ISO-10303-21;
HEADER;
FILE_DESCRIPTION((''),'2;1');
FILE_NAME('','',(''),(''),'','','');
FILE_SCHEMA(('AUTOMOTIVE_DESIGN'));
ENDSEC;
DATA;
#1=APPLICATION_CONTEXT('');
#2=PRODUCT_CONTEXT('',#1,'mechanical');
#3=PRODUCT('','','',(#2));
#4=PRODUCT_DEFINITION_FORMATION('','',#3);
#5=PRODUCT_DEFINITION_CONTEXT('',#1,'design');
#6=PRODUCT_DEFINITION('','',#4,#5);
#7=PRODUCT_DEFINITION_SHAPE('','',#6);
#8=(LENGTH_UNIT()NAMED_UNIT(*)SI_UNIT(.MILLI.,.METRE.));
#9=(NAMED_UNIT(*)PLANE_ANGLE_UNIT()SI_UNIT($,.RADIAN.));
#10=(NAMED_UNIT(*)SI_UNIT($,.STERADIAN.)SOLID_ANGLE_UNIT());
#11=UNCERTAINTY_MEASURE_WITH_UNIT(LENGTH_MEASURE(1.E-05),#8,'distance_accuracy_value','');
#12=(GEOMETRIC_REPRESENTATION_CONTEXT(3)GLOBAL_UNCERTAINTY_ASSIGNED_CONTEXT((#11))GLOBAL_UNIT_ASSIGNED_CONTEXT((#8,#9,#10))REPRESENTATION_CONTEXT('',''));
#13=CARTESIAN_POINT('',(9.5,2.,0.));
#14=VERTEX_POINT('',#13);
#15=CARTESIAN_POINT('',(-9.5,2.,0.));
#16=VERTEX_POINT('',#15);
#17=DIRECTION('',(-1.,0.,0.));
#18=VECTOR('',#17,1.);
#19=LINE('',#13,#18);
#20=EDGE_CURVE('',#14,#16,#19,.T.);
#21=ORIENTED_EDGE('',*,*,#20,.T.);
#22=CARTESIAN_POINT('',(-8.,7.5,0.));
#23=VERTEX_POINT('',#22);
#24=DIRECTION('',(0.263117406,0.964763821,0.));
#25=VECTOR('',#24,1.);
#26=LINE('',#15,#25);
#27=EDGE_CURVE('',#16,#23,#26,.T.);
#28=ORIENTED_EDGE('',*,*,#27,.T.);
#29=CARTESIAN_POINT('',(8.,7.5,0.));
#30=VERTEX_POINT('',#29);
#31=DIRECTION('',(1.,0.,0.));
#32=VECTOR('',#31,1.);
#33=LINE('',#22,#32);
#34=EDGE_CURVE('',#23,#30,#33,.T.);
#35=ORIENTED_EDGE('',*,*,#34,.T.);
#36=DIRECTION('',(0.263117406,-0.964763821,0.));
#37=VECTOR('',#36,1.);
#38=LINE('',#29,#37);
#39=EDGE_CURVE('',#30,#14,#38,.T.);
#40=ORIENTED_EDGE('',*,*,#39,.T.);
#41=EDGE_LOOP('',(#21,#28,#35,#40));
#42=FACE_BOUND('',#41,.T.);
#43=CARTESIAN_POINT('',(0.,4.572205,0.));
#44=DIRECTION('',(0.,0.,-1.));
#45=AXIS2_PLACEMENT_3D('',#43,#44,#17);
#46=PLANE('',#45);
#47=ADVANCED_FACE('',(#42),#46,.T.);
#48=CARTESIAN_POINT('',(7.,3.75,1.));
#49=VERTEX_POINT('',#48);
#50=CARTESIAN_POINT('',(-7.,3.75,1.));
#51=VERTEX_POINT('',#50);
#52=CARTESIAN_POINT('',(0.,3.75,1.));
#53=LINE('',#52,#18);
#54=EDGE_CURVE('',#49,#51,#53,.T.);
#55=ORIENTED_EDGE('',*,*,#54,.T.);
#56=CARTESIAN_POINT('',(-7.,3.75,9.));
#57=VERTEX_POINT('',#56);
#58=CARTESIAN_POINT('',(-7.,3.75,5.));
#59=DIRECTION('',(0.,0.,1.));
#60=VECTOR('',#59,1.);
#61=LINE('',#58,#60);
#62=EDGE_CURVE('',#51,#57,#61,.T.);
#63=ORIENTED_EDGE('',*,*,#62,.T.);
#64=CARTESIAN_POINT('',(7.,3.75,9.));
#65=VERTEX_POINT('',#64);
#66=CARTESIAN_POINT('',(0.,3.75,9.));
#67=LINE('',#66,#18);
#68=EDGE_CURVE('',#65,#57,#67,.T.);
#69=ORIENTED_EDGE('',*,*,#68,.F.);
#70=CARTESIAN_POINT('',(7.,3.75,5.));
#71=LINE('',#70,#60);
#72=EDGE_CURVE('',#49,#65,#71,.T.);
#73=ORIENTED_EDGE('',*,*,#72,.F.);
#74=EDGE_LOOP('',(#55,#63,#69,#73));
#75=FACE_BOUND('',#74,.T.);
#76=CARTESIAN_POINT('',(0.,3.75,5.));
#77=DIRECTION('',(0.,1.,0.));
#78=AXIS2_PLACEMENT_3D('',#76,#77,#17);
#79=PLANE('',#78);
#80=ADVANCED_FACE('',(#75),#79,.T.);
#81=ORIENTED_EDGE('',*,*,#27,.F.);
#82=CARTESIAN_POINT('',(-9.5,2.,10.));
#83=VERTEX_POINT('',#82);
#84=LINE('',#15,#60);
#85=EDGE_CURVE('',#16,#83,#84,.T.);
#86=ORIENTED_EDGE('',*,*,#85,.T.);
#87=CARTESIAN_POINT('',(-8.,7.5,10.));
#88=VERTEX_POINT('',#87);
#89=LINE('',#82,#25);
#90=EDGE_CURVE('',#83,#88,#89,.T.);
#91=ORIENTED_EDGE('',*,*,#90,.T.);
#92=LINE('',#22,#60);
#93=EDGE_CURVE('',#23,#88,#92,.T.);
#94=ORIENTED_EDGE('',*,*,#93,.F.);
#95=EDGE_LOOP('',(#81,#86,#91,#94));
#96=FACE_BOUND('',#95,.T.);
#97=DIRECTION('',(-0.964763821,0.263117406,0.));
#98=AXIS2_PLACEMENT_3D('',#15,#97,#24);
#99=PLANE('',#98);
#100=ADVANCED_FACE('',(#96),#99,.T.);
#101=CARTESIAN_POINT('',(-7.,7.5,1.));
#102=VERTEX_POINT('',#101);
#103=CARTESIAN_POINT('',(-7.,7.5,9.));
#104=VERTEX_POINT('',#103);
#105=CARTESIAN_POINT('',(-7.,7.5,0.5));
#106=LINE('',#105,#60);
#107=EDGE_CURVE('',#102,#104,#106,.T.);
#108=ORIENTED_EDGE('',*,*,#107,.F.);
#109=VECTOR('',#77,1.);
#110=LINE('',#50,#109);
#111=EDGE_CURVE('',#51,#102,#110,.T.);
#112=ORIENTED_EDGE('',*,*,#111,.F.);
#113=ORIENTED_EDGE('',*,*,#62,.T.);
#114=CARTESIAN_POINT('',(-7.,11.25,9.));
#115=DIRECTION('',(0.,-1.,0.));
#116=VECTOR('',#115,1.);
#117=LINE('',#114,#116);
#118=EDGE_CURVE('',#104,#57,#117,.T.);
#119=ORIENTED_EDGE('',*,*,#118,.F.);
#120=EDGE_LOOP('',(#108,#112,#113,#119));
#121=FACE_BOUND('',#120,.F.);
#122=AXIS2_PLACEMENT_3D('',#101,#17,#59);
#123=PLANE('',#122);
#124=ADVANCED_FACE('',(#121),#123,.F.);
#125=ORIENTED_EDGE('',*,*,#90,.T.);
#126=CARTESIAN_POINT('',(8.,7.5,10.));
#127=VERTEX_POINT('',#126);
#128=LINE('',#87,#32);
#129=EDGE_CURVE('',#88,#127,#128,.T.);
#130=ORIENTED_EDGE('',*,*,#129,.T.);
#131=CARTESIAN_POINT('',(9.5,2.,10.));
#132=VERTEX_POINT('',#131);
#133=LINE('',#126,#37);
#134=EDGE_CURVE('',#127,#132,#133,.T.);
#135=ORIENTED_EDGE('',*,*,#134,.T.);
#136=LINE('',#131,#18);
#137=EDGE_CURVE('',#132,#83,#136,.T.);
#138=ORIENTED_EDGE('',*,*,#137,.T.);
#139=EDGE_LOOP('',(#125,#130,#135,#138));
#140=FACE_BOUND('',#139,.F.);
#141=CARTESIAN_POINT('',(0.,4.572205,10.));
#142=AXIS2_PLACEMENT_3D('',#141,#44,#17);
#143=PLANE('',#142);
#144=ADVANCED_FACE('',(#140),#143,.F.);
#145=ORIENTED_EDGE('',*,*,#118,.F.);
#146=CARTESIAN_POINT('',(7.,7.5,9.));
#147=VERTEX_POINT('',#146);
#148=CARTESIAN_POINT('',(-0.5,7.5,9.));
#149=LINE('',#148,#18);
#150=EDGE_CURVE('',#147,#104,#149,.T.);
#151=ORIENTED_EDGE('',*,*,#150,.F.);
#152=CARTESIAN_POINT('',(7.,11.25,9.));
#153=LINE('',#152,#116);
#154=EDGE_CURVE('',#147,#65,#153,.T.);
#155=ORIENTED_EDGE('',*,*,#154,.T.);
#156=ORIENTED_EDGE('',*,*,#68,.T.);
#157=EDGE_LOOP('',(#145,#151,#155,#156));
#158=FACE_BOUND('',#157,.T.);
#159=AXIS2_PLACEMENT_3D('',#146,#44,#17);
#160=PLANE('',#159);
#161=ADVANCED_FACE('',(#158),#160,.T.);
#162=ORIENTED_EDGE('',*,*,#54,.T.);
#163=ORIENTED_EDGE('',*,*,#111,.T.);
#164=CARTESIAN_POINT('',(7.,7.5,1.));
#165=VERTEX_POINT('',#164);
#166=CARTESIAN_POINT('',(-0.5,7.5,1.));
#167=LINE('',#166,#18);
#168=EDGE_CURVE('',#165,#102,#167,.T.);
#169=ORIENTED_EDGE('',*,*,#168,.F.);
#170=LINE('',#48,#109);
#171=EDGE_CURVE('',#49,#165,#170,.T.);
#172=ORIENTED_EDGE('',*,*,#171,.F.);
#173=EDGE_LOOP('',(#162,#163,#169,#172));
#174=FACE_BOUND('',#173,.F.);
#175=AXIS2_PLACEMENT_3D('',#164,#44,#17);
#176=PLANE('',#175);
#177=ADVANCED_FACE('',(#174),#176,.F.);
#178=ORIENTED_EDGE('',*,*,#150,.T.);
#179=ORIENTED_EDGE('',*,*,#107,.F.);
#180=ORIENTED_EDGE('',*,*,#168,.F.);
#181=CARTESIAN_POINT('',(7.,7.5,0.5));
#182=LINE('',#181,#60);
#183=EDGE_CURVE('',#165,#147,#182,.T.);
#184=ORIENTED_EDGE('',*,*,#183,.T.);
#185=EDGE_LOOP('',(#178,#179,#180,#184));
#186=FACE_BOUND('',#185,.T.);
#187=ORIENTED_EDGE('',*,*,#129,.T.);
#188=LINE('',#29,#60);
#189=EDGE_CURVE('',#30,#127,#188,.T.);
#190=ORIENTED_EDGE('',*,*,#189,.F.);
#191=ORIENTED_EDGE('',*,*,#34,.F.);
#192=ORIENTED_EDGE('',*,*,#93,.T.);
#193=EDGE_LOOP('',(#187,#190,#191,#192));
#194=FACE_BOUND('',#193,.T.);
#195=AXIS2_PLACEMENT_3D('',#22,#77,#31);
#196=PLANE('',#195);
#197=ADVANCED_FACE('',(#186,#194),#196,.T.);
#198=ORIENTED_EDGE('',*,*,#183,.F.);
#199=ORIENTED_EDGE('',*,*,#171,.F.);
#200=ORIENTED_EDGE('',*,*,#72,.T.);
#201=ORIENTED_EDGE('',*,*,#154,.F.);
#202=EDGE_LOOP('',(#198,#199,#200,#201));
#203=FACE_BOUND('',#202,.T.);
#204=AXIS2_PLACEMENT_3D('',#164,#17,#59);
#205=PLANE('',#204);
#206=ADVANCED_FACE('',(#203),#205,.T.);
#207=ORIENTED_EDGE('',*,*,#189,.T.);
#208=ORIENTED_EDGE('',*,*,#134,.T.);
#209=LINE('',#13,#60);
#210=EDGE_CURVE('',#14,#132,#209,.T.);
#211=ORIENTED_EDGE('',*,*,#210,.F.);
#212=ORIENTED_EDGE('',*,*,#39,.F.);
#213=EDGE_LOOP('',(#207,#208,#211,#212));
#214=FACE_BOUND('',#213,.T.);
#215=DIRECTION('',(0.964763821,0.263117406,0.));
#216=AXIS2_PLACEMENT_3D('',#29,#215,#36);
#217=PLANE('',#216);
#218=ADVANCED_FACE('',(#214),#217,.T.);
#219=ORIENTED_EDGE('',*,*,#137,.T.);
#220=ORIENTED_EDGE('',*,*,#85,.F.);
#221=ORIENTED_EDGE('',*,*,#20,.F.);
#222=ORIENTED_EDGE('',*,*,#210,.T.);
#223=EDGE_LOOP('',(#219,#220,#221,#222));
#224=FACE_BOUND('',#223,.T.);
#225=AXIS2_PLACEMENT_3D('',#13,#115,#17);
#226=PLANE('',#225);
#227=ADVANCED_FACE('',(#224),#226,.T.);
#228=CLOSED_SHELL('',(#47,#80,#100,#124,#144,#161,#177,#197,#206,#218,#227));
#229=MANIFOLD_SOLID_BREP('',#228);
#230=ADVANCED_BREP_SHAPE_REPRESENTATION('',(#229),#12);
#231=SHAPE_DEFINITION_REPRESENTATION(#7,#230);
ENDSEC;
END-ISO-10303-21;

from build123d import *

# Parameters (mm, degrees)
SKETCH003_W      = 14
SKETCH003_H      = 8
EXTRUDE002_DEPTH = 3.75
EXTRUDE001_DEPTH = 10


with BuildPart() as extrude002:
    # Sketch003 (on Face2 of Extrude001) → Extrude002 (new body, symmetric)
    with BuildSketch(Plane(origin=(0, 7.5, 0), x_dir=(-1, 0, 0), z_dir=(0, 1, 0))):
        with Locations((0, 5)):
            Rectangle(SKETCH003_W, SKETCH003_H)
    extrude(amount=EXTRUDE002_DEPTH, both=True)


with BuildPart() as cut:
    # Sketch001 → Extrude001 (new body)
    with BuildSketch(Plane.XY):
        Polygon((-9.5, 2), (-8, 7.5), (8, 7.5), (9.5, 2), align=None)
    extrude(amount=EXTRUDE001_DEPTH)

    # Cut: cut Extrude002
    add(extrude002.part, mode=Mode.SUBTRACT)


solid = cut.part
